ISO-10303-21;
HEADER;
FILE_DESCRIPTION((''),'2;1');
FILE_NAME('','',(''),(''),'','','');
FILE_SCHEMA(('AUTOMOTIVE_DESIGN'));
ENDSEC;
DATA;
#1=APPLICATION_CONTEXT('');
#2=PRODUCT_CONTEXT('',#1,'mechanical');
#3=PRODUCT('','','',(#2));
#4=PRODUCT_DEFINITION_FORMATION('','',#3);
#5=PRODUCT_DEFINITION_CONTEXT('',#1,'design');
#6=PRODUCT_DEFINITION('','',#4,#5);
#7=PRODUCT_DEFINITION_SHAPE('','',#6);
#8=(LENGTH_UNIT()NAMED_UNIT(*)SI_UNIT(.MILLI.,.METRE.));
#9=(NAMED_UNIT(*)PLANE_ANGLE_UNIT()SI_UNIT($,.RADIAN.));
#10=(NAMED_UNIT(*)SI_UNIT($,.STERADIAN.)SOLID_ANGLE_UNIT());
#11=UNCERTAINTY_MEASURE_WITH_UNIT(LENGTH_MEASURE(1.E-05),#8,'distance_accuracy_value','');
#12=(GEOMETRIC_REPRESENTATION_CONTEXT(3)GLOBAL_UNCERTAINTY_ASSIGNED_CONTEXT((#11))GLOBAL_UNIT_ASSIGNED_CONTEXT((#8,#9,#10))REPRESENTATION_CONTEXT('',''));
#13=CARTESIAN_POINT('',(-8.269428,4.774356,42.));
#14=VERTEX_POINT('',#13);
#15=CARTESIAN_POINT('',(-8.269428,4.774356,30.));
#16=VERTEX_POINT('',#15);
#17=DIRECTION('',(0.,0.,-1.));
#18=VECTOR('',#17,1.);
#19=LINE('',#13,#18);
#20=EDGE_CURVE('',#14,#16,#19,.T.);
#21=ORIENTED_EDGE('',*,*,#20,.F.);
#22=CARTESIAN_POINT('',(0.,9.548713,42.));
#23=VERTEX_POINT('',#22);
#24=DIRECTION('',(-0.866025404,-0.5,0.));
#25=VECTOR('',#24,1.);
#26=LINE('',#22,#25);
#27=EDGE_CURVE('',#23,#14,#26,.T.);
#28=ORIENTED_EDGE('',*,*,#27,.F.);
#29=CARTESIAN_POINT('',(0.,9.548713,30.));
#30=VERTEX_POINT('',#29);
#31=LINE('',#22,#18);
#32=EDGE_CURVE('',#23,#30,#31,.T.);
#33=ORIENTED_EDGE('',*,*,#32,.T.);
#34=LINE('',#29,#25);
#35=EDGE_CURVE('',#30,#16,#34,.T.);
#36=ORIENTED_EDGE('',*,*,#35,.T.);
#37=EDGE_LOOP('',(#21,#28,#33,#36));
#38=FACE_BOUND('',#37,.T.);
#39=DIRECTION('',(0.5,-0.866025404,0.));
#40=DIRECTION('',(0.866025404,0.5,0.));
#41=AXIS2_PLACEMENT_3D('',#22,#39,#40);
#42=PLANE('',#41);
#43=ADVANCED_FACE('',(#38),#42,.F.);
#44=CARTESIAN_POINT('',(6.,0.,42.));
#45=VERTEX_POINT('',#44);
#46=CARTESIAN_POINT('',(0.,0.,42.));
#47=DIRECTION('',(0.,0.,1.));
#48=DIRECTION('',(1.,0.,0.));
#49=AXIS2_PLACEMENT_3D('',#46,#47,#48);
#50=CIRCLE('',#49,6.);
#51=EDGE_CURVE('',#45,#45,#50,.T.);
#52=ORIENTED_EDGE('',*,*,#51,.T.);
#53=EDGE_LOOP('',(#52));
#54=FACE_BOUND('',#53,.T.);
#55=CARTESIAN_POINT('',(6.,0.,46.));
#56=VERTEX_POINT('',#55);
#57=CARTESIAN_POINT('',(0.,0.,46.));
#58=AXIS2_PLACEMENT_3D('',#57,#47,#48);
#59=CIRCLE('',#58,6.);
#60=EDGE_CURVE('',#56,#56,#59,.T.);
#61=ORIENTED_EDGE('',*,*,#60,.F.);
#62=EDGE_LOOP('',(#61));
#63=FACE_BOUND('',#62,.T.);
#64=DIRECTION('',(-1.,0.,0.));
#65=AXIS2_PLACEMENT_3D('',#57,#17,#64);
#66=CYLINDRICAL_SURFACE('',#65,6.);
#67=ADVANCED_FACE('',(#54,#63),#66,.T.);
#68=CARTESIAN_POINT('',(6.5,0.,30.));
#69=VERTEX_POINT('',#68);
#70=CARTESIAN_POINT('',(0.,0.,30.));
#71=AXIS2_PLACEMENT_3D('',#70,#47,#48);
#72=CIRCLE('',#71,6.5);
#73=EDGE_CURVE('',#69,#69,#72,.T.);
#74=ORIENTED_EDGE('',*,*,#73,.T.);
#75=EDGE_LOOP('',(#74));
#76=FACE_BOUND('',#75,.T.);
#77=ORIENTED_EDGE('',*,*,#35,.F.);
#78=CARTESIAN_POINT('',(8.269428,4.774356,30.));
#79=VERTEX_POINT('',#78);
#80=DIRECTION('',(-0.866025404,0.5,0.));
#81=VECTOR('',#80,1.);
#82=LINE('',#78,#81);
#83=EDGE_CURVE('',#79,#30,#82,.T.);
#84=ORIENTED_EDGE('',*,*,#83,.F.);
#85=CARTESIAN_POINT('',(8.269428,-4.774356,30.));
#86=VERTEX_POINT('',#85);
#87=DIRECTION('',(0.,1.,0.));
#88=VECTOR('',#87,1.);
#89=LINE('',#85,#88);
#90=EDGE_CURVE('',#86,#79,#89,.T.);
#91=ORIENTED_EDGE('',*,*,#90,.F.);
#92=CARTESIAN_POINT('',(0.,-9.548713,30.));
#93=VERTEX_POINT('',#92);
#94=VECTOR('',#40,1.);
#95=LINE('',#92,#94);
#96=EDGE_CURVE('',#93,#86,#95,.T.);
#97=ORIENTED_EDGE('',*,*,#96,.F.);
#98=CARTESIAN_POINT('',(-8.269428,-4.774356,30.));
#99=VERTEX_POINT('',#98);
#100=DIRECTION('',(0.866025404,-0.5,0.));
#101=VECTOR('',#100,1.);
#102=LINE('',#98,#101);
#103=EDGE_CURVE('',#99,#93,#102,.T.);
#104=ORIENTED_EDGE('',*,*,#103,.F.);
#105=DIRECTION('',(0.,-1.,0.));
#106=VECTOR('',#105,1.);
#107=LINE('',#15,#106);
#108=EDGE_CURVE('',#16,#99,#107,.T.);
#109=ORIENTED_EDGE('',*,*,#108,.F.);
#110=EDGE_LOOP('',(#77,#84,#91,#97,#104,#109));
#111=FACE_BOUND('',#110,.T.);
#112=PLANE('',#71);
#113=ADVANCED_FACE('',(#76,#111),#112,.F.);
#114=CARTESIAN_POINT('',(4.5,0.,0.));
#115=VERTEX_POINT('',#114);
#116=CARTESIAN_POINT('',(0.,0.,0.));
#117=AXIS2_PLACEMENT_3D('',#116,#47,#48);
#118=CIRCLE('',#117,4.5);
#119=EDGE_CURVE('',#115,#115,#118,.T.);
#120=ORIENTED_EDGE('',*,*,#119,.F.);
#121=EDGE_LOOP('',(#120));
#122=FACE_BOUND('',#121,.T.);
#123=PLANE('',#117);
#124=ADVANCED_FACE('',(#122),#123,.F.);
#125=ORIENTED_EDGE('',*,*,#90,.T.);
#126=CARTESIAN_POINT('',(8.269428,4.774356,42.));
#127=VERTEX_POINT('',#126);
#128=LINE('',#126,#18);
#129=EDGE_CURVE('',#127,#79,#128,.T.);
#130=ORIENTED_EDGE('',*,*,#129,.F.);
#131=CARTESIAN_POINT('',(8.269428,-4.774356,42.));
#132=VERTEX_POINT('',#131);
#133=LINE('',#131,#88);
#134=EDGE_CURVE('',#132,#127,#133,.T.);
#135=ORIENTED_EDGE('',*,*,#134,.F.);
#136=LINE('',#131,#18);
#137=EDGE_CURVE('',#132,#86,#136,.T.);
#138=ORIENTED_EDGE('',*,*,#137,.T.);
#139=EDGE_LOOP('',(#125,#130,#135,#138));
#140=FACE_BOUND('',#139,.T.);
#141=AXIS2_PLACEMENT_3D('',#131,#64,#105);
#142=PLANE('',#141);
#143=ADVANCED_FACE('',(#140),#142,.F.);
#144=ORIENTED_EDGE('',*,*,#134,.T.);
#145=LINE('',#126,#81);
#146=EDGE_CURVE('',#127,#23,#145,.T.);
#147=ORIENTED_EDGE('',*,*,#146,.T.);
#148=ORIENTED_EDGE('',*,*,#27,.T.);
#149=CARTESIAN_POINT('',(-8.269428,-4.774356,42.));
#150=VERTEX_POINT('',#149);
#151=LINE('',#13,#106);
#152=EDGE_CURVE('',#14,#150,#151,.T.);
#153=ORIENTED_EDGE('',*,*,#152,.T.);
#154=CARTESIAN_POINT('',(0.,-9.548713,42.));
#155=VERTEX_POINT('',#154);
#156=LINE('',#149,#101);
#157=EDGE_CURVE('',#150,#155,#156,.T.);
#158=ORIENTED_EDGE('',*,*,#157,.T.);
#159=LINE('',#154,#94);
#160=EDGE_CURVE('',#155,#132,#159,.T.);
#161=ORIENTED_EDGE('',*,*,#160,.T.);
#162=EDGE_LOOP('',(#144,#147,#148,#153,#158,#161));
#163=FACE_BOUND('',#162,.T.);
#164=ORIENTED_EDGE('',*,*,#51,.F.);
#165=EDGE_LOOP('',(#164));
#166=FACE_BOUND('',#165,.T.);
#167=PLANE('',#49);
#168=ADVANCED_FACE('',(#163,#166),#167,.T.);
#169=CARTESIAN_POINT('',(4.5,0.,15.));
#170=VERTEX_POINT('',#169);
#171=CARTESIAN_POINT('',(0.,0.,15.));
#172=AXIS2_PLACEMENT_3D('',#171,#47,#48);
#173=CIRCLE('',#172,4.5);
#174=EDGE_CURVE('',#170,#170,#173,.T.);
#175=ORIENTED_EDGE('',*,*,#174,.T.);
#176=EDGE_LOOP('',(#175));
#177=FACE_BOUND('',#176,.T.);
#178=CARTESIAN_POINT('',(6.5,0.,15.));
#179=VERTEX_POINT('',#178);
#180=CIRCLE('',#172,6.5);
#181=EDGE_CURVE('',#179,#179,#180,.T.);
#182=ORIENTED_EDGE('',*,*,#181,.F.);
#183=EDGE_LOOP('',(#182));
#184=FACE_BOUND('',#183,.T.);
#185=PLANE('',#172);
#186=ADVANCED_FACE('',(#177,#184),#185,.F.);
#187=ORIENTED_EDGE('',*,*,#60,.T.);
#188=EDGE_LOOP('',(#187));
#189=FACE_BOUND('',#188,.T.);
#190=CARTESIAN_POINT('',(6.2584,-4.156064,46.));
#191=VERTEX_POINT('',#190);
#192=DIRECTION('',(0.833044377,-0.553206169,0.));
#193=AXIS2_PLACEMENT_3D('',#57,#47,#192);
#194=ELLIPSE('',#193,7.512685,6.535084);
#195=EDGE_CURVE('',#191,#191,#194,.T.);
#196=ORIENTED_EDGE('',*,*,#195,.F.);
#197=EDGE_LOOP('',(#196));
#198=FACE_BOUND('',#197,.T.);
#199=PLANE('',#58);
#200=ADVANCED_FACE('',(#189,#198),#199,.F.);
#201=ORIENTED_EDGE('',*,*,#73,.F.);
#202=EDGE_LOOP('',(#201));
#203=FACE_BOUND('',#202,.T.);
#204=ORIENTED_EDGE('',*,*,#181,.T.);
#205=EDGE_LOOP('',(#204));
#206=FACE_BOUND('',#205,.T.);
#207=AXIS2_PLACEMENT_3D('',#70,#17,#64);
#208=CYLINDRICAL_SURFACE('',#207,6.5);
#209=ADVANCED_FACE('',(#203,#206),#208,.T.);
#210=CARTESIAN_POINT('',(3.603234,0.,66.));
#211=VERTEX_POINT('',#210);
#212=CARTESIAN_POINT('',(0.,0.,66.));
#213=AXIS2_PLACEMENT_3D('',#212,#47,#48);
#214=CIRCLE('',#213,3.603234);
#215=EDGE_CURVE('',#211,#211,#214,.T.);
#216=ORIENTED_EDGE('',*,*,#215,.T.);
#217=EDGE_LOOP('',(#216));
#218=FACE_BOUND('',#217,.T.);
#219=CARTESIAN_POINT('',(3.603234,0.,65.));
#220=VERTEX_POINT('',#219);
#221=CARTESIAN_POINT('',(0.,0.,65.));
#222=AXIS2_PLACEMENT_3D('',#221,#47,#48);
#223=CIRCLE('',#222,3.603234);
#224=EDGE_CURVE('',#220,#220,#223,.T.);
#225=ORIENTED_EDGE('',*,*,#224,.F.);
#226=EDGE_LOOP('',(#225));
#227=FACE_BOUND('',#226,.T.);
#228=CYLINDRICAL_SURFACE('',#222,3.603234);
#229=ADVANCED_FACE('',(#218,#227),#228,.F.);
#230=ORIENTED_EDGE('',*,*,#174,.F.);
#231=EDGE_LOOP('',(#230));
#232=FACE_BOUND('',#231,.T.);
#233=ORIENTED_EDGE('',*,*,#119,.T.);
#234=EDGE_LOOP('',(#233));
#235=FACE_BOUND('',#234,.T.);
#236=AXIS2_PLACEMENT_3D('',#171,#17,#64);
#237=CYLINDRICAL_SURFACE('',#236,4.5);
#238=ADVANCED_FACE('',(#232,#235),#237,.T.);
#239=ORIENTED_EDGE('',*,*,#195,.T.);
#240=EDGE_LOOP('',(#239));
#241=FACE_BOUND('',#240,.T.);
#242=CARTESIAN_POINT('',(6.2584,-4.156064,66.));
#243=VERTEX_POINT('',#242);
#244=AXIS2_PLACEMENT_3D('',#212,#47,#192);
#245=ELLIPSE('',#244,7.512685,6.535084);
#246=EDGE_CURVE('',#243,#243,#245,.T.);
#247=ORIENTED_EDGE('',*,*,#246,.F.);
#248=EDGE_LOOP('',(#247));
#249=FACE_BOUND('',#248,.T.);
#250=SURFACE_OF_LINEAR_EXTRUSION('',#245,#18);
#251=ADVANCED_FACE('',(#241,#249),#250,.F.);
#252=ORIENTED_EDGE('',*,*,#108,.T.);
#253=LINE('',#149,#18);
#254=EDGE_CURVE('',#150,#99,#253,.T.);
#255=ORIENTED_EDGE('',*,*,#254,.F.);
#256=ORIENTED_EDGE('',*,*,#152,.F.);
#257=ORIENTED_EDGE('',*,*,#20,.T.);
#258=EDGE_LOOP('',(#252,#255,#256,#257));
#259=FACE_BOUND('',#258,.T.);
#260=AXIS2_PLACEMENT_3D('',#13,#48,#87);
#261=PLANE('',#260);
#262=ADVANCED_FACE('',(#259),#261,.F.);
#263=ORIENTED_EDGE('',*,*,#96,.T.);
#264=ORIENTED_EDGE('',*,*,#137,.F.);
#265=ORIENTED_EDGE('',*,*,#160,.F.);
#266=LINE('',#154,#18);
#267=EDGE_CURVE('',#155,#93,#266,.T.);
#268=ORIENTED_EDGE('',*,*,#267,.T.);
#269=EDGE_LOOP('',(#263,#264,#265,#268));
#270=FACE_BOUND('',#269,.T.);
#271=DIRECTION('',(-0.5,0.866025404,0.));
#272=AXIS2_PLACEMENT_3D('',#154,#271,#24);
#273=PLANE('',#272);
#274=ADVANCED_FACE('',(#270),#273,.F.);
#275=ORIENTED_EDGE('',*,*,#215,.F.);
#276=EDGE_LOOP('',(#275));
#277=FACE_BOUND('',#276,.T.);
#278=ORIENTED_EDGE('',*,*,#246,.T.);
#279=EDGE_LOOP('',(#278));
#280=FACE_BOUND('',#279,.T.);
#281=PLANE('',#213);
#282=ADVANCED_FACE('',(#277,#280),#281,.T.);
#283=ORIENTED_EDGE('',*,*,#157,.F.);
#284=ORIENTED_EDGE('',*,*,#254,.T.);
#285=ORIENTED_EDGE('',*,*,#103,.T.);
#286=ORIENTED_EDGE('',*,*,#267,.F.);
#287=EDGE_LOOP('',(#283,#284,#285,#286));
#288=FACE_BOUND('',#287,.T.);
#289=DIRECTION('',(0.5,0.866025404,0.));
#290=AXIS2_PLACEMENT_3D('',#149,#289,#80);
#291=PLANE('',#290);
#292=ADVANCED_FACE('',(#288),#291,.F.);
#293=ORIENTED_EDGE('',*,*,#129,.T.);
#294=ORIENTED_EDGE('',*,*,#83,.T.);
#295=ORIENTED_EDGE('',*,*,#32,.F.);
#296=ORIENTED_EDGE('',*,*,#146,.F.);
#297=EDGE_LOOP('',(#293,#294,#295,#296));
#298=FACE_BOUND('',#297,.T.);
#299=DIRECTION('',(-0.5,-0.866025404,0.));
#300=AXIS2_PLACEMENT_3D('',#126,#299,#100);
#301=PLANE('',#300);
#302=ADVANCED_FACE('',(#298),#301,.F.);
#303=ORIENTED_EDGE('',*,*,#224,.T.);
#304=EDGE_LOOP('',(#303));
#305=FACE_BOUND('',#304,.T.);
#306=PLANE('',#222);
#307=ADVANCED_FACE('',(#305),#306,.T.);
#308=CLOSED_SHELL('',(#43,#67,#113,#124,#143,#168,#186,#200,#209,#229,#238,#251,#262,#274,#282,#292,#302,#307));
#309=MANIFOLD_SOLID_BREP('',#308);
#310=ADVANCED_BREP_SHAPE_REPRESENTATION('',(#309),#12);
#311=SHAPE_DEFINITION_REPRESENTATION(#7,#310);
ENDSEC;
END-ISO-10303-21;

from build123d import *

# Parameters (mm, degrees)
SKETCH_1_R          = 4.5
EXTRUDE_1_DEPTH     = 15
SKETCH_2_R          = 6.5
EXTRUDE_2_DEPTH     = 15
EXTRUDE_3_DEPTH     = 12
SKETCH_4_R          = 6
EXTRUDE_4_DEPTH     = 4
SKETCH_5_RX         = 7.512684998
SKETCH_5_RY         = 6.53508396
EXTRUDE_5_DEPTH     = 20
SKETCH_6_R          = 3.603234424
CUT_EXTRUDE_1_DEPTH = 1


with BuildPart() as part:
    # ｽｹｯﾁ1 → ﾎﾞｽ - 押し出し1 (new body)
    with BuildSketch(Plane.XY):
        Circle(SKETCH_1_R)
    extrude(amount=EXTRUDE_1_DEPTH)

    # ｽｹｯﾁ2 → ﾎﾞｽ - 押し出し2 (add)
    with BuildSketch(Plane.XY.offset(15)):
        Circle(SKETCH_2_R)
    extrude(amount=EXTRUDE_2_DEPTH)

    # ｽｹｯﾁ3 → ﾎﾞｽ - 押し出し3 (add)
    with BuildSketch(Plane.XY.offset(30)):
        Polygon((0, -9.548712613), (8.269427696, -4.774356306), (8.269427696, 4.774356306), (0, 9.548712613), (-8.269427696, 4.774356306), (-8.269427696, -4.774356306), align=None)
    extrude(amount=EXTRUDE_3_DEPTH)

    # ｽｹｯﾁ4 → ﾎﾞｽ - 押し出し4 (add)
    with BuildSketch(Plane.XY.offset(42)):
        Circle(SKETCH_4_R)
    extrude(amount=EXTRUDE_4_DEPTH)

    # ｽｹｯﾁ5 → ﾎﾞｽ - 押し出し5 (add)
    with BuildSketch(Plane.XY.offset(46)):
        with Locations(Location((0, 0), (0, 0, -33.587248831))):
            Ellipse(SKETCH_5_RX, SKETCH_5_RY)
    extrude(amount=EXTRUDE_5_DEPTH)

    # ｽｹｯﾁ6 → ｶｯﾄ - 押し出し1 (cut)
    with BuildSketch(Plane.XY.offset(66)):
        Circle(SKETCH_6_R)
    extrude(amount=-CUT_EXTRUDE_1_DEPTH, mode=Mode.SUBTRACT)


solid = part.part
